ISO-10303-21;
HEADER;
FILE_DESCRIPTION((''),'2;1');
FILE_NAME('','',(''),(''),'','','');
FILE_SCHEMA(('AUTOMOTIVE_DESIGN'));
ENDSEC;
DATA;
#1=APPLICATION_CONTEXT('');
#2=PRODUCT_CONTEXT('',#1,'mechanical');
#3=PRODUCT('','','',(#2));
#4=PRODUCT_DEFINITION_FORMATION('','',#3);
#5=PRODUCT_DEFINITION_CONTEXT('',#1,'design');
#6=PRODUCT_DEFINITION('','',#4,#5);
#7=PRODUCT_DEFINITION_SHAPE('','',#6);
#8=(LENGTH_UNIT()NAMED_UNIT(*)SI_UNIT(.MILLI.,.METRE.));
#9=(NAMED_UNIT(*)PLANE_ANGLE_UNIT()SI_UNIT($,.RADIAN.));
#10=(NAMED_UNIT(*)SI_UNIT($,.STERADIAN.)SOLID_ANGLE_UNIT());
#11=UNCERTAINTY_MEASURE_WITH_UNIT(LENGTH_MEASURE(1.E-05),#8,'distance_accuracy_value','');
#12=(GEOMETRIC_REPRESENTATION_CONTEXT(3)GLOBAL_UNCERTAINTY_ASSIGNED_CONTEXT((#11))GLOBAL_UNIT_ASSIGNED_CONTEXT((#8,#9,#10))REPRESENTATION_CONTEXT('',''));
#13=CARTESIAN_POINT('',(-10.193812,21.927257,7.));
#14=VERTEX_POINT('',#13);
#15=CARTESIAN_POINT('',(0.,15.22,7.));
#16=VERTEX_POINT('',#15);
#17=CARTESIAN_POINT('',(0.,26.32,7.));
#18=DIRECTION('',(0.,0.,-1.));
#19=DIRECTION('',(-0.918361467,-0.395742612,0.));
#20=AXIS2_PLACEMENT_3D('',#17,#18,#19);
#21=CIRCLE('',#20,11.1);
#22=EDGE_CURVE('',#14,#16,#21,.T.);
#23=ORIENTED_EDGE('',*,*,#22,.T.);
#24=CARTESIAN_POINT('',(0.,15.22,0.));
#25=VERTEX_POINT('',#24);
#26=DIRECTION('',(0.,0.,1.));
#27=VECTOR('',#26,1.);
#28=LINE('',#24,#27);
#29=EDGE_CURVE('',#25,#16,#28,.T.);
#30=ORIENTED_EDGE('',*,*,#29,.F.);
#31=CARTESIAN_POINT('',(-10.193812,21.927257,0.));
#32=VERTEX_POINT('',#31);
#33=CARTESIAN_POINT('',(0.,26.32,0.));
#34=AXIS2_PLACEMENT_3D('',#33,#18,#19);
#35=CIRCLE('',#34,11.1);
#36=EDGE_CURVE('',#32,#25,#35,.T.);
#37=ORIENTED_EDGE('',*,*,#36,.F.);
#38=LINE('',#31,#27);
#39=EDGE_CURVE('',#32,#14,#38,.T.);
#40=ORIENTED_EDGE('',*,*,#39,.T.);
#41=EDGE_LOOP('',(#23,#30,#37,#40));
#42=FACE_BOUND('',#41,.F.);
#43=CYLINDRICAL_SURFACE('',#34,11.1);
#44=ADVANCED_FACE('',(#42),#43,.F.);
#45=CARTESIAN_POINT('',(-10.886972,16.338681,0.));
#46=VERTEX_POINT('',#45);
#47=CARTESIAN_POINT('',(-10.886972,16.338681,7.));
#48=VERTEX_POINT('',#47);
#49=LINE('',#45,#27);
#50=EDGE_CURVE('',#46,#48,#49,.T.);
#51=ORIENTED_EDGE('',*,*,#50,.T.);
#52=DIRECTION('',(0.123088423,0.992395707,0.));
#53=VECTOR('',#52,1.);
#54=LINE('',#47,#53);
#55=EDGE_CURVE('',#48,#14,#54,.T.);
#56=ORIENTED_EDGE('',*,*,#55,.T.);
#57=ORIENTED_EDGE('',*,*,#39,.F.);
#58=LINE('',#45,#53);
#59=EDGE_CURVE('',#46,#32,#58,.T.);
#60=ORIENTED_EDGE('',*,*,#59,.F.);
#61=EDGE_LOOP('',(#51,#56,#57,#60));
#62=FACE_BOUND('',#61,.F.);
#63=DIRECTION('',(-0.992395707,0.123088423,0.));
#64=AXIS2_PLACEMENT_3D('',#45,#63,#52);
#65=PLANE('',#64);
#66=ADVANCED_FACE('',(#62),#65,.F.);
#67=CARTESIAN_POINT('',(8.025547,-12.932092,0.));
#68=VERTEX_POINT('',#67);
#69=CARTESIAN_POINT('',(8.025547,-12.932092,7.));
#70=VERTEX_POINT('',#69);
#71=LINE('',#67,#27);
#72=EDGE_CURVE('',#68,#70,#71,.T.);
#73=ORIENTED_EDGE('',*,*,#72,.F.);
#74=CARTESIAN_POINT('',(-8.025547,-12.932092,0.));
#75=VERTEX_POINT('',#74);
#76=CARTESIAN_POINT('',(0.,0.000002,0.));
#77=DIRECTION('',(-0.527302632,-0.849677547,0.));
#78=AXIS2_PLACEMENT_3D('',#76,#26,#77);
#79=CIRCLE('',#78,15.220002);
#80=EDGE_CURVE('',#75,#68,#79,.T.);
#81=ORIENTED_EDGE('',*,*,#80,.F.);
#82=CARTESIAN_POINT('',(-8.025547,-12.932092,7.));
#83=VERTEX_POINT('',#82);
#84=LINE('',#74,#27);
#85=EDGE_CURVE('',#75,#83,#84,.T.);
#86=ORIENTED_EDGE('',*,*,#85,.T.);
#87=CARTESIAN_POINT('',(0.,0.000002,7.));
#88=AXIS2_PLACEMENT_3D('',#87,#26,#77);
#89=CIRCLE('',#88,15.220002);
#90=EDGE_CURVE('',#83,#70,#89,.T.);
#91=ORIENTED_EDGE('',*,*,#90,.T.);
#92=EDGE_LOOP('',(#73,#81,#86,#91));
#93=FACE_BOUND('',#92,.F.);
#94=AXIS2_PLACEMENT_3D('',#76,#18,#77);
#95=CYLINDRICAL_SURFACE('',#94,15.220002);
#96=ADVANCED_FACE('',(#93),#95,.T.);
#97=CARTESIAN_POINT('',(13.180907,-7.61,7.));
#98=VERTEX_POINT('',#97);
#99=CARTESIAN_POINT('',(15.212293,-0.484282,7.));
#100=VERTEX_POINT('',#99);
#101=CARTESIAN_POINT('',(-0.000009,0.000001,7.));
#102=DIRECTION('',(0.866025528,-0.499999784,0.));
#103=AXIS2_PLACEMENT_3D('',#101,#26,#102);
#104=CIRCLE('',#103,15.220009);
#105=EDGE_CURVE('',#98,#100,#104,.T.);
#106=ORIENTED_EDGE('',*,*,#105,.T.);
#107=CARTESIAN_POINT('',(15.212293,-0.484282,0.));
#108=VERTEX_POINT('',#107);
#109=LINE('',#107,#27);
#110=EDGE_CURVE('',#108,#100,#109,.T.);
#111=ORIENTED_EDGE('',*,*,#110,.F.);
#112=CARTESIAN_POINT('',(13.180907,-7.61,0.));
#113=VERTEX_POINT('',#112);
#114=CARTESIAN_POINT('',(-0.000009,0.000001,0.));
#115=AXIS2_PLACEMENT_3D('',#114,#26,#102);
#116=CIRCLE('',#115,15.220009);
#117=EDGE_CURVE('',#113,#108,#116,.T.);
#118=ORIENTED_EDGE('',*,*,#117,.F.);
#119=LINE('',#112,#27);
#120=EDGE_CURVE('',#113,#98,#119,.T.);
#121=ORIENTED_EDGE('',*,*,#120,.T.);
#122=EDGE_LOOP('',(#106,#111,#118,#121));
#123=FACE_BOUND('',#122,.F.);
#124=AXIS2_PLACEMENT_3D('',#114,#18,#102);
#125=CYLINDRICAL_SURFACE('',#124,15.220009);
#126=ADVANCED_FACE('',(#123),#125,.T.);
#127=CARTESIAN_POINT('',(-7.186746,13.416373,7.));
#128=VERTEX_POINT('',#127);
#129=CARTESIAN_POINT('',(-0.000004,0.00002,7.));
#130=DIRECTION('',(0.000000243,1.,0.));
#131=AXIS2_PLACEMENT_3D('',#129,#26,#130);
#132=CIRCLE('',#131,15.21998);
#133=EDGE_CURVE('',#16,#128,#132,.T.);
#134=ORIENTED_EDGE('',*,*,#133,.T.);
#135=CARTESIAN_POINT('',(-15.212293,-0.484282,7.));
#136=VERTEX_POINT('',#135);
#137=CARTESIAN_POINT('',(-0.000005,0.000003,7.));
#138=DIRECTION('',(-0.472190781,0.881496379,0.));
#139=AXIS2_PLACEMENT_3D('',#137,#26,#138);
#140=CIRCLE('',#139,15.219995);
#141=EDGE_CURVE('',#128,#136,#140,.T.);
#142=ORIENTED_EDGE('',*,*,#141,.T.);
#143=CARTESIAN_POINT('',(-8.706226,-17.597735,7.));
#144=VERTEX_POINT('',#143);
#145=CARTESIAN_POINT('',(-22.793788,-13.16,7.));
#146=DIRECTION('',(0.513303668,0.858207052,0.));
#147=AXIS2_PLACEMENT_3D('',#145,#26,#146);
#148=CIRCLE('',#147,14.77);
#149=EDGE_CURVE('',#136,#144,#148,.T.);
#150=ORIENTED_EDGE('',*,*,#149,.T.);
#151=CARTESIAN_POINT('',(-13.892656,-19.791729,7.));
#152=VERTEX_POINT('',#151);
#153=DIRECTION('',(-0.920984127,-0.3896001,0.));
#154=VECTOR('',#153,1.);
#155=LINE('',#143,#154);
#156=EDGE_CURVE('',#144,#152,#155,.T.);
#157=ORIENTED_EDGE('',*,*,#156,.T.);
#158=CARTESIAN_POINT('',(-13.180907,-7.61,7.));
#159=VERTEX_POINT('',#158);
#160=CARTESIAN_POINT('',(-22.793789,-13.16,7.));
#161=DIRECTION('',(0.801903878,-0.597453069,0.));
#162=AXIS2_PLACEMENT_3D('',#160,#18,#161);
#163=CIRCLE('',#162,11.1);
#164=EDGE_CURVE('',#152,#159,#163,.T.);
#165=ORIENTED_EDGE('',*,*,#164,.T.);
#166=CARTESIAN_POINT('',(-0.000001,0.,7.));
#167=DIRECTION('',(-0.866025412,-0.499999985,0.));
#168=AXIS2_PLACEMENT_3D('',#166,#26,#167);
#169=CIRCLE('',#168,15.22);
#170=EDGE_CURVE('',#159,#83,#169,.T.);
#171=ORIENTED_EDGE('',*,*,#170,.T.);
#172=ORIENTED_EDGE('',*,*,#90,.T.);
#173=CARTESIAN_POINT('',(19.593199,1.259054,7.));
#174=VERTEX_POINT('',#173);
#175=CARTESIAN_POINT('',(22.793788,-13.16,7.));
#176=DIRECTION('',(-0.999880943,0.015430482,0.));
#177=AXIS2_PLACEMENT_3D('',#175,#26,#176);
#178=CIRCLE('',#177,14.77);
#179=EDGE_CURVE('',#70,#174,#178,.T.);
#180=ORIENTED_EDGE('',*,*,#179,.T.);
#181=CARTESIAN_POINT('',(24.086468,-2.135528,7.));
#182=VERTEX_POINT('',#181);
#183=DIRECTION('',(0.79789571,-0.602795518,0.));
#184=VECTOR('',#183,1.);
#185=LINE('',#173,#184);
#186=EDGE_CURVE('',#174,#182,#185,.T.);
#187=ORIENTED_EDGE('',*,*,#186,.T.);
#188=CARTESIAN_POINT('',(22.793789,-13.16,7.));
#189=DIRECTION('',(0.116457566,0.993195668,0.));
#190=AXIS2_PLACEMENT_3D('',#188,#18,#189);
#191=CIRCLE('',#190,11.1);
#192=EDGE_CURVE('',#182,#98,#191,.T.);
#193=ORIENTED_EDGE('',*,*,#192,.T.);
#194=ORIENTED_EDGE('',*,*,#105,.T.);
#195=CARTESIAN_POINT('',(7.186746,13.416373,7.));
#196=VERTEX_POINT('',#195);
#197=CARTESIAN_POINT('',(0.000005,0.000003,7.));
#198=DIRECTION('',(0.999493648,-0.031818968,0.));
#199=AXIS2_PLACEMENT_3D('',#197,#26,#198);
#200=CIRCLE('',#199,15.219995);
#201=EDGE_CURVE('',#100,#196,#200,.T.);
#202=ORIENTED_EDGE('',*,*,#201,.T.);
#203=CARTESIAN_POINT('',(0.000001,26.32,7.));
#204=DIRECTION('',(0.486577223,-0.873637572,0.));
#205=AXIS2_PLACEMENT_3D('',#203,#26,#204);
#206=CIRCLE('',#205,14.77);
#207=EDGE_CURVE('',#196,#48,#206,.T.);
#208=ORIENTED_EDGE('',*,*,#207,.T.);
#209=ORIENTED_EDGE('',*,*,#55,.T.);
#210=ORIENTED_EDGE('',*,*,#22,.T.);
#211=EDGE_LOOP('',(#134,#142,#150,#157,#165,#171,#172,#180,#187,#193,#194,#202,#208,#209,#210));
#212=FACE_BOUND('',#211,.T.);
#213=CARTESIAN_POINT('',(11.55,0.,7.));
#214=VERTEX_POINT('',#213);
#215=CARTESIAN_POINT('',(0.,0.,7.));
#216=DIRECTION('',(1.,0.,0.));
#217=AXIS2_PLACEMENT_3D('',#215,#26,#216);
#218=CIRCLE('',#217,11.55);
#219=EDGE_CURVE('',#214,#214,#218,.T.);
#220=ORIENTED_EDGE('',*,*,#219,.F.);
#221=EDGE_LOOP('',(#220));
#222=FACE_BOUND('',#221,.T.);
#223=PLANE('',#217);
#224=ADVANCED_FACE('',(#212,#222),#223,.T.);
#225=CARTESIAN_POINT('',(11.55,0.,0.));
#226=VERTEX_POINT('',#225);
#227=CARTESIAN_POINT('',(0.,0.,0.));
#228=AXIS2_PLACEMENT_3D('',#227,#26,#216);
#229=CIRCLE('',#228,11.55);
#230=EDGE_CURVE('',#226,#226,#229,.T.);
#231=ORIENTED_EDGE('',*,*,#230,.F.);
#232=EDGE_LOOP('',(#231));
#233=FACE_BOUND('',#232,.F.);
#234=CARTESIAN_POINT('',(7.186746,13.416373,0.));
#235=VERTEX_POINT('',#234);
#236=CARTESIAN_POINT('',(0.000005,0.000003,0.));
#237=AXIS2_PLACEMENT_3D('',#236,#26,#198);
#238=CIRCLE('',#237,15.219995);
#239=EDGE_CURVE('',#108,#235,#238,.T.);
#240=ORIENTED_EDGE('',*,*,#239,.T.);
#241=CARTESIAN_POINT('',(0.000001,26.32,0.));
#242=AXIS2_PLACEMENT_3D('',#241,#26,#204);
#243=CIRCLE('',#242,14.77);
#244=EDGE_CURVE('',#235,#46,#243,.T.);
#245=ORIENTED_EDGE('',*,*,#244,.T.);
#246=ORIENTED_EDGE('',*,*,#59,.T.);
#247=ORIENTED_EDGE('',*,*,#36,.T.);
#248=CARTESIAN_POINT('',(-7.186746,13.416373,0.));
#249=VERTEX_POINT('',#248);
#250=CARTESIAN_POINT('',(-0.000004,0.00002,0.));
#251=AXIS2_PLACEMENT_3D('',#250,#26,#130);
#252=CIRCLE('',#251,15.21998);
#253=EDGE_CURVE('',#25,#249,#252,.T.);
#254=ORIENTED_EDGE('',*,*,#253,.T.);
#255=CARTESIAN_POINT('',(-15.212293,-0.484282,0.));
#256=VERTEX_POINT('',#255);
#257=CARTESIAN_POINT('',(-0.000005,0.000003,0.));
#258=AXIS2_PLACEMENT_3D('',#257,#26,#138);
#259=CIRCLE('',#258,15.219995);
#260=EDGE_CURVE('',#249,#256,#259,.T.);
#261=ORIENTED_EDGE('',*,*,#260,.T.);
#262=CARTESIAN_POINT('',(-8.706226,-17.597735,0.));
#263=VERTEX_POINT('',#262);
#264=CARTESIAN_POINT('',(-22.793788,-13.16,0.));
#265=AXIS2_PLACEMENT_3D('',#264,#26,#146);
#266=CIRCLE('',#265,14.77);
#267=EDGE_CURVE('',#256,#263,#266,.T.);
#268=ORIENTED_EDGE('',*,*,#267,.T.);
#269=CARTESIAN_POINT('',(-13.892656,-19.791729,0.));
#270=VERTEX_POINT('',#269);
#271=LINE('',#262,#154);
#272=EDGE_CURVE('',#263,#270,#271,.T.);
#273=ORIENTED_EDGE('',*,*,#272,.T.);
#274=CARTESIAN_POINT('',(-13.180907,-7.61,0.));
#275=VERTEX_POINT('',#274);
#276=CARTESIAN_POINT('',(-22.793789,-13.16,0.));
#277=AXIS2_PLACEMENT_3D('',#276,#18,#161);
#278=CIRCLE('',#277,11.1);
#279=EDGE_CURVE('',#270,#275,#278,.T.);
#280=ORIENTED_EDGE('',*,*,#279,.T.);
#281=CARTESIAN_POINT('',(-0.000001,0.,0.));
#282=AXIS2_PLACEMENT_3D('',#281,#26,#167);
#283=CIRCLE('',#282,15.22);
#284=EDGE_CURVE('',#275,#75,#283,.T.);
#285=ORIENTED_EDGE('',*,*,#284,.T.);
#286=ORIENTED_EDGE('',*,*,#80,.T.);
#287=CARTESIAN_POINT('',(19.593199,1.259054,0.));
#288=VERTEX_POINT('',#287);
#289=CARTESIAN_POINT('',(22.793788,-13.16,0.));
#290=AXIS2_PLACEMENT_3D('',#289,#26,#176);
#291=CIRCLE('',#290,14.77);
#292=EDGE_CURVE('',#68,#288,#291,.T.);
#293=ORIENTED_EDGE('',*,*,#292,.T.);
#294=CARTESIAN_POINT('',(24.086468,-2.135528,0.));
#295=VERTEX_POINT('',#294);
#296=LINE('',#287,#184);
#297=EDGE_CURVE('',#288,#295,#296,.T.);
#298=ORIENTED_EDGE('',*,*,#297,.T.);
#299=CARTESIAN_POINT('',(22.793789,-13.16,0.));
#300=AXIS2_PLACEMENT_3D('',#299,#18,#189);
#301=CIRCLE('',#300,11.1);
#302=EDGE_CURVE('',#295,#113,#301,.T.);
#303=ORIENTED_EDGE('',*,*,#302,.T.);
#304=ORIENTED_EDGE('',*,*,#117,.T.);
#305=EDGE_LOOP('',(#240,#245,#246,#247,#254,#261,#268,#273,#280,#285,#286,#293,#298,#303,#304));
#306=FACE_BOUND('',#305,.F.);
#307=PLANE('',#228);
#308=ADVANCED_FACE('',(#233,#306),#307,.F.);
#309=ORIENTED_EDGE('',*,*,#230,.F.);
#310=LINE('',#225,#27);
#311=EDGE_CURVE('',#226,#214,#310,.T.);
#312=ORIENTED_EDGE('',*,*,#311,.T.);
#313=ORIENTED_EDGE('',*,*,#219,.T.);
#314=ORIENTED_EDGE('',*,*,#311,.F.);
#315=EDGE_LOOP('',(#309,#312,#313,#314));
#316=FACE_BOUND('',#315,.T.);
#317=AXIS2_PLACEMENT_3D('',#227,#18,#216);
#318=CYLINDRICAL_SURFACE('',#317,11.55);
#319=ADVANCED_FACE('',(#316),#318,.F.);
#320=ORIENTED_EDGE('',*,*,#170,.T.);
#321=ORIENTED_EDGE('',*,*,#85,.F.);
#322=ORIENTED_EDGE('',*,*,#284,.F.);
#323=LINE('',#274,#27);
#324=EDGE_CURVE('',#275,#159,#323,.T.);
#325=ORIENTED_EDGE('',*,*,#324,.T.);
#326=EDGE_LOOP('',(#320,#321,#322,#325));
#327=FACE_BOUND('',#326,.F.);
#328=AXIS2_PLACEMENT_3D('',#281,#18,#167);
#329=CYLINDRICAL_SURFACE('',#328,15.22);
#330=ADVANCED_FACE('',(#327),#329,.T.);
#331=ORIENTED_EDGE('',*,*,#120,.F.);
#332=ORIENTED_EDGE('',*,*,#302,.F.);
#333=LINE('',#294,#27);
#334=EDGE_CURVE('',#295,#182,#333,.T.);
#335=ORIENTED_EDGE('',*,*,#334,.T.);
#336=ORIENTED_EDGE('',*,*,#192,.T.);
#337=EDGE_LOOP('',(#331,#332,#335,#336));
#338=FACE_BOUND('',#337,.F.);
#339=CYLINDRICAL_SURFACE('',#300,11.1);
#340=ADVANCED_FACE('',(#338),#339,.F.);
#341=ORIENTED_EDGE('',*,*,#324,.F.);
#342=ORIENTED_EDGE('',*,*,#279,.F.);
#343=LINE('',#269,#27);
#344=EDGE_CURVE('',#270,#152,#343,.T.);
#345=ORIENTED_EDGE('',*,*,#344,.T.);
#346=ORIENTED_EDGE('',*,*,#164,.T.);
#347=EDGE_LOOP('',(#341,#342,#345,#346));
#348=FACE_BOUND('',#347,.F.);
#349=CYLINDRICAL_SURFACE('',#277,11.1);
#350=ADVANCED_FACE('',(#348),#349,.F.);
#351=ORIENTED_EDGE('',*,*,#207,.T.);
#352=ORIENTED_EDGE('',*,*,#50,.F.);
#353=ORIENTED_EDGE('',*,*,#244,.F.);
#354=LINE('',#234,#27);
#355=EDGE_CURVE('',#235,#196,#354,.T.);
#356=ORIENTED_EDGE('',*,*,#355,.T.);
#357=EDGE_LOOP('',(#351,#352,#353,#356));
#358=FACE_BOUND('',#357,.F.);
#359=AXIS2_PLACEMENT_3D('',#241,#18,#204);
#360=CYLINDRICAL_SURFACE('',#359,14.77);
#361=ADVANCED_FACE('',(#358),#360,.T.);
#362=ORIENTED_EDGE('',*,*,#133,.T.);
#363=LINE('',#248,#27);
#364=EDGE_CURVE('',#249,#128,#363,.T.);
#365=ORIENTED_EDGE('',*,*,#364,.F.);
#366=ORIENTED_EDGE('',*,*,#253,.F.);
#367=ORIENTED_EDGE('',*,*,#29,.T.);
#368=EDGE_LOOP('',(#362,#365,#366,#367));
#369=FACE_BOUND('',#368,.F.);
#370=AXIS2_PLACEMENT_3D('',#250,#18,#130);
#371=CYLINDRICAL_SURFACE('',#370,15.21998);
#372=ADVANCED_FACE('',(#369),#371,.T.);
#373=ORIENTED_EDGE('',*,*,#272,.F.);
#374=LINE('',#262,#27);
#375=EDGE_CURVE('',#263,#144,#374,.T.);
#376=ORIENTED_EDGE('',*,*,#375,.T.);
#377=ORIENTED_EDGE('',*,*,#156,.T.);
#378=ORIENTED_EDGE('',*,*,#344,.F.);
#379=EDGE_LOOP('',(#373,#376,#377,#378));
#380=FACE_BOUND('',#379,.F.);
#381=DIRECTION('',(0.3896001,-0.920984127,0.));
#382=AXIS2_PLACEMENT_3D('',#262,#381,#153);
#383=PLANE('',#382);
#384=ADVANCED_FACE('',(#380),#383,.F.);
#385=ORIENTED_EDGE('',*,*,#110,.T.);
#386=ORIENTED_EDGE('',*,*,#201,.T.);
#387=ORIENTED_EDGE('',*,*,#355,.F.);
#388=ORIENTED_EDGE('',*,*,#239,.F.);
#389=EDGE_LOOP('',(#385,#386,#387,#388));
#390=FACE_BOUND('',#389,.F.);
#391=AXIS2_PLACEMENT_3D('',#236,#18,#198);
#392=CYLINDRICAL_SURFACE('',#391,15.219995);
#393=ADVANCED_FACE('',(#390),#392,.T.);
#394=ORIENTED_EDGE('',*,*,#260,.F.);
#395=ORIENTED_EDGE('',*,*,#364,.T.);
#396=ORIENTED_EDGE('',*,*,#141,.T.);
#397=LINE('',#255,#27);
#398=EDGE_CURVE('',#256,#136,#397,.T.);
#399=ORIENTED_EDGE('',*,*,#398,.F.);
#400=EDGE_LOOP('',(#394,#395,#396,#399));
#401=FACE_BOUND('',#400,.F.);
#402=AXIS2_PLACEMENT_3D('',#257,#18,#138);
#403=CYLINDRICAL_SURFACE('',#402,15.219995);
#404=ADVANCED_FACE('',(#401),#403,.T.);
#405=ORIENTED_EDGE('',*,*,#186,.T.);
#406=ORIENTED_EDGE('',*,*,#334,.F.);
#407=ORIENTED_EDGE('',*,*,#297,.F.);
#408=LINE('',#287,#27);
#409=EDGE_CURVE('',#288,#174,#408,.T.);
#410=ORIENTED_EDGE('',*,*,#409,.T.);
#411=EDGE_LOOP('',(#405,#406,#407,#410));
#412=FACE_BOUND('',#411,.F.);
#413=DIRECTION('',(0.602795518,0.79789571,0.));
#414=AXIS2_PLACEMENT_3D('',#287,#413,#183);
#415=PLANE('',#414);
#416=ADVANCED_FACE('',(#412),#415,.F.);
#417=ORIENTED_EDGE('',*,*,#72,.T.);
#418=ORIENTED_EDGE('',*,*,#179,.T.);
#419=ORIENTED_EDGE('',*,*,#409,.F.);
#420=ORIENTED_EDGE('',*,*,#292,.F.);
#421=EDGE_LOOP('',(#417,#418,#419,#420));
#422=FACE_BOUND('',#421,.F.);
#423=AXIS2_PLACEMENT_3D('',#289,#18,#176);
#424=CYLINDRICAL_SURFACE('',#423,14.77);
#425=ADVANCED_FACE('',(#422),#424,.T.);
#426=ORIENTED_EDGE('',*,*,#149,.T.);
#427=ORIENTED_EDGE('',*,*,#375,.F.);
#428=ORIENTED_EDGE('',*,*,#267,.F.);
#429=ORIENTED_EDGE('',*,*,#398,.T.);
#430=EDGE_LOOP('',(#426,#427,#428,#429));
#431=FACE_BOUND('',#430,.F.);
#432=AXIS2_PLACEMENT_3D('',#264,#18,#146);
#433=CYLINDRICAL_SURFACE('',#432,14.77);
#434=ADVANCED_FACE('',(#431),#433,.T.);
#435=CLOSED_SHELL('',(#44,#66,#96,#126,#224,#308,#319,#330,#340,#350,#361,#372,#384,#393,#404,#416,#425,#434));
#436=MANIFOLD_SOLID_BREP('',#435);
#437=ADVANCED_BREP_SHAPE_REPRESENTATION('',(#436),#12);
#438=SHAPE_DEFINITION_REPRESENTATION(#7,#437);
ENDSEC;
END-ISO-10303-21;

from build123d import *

# Parameters (mm, degrees)
F0_R     = 11.55
F1_DEPTH = 7


with BuildPart() as f1:
    # F0 (on Top) → F1 (new body)
    with BuildSketch(Plane.XY):
        with BuildLine():
            ThreePointArc((-10.193812, 21.927257), (6.101252, 35.592795), (0, 15.22))
            ThreePointArc((0, 15.22), (-3.704807, 14.762209), (-7.186746, 13.416373))
            ThreePointArc((-7.186746, 13.416373), (-13.180907, 7.61), (-15.212293, -0.484282))
            ThreePointArc((-15.212293, -0.484282), (-36.59975, -18.408649), (-8.706226, -17.597735))
            Line((-8.706226, -17.597735), (-13.892656, -19.791729))
            ThreePointArc((-13.892656, -19.791729), (-33.874891, -12.512558), (-13.180907, -7.61))
            ThreePointArc((-13.180907, -7.61), (-10.932044, -10.589562), (-8.025547, -12.932092))
            ThreePointArc((-8.025547, -12.932092), (0, -15.22), (8.025547, -12.932092))
            ThreePointArc((8.025547, -12.932092), (34.242233, -22.491989), (19.593199, 1.259054))
            Line((19.593199, 1.259054), (24.086468, -2.135528))
            ThreePointArc((24.086468, -2.135528), (27.773638, -23.080237), (13.180907, -7.61))
            ThreePointArc((13.180907, -7.61), (14.636851, -4.172647), (15.212293, -0.484282))
            ThreePointArc((15.212293, -0.484282), (13.180907, 7.61), (7.186746, 13.416373))
            ThreePointArc((7.186746, 13.416373), (2.357517, 40.900638), (-10.886972, 16.338681))
            Line((-10.886972, 16.338681), (-10.193812, 21.927257))
        make_face()
        Circle(F0_R, mode=Mode.SUBTRACT)
    extrude(amount=F1_DEPTH)


solid = f1.part
